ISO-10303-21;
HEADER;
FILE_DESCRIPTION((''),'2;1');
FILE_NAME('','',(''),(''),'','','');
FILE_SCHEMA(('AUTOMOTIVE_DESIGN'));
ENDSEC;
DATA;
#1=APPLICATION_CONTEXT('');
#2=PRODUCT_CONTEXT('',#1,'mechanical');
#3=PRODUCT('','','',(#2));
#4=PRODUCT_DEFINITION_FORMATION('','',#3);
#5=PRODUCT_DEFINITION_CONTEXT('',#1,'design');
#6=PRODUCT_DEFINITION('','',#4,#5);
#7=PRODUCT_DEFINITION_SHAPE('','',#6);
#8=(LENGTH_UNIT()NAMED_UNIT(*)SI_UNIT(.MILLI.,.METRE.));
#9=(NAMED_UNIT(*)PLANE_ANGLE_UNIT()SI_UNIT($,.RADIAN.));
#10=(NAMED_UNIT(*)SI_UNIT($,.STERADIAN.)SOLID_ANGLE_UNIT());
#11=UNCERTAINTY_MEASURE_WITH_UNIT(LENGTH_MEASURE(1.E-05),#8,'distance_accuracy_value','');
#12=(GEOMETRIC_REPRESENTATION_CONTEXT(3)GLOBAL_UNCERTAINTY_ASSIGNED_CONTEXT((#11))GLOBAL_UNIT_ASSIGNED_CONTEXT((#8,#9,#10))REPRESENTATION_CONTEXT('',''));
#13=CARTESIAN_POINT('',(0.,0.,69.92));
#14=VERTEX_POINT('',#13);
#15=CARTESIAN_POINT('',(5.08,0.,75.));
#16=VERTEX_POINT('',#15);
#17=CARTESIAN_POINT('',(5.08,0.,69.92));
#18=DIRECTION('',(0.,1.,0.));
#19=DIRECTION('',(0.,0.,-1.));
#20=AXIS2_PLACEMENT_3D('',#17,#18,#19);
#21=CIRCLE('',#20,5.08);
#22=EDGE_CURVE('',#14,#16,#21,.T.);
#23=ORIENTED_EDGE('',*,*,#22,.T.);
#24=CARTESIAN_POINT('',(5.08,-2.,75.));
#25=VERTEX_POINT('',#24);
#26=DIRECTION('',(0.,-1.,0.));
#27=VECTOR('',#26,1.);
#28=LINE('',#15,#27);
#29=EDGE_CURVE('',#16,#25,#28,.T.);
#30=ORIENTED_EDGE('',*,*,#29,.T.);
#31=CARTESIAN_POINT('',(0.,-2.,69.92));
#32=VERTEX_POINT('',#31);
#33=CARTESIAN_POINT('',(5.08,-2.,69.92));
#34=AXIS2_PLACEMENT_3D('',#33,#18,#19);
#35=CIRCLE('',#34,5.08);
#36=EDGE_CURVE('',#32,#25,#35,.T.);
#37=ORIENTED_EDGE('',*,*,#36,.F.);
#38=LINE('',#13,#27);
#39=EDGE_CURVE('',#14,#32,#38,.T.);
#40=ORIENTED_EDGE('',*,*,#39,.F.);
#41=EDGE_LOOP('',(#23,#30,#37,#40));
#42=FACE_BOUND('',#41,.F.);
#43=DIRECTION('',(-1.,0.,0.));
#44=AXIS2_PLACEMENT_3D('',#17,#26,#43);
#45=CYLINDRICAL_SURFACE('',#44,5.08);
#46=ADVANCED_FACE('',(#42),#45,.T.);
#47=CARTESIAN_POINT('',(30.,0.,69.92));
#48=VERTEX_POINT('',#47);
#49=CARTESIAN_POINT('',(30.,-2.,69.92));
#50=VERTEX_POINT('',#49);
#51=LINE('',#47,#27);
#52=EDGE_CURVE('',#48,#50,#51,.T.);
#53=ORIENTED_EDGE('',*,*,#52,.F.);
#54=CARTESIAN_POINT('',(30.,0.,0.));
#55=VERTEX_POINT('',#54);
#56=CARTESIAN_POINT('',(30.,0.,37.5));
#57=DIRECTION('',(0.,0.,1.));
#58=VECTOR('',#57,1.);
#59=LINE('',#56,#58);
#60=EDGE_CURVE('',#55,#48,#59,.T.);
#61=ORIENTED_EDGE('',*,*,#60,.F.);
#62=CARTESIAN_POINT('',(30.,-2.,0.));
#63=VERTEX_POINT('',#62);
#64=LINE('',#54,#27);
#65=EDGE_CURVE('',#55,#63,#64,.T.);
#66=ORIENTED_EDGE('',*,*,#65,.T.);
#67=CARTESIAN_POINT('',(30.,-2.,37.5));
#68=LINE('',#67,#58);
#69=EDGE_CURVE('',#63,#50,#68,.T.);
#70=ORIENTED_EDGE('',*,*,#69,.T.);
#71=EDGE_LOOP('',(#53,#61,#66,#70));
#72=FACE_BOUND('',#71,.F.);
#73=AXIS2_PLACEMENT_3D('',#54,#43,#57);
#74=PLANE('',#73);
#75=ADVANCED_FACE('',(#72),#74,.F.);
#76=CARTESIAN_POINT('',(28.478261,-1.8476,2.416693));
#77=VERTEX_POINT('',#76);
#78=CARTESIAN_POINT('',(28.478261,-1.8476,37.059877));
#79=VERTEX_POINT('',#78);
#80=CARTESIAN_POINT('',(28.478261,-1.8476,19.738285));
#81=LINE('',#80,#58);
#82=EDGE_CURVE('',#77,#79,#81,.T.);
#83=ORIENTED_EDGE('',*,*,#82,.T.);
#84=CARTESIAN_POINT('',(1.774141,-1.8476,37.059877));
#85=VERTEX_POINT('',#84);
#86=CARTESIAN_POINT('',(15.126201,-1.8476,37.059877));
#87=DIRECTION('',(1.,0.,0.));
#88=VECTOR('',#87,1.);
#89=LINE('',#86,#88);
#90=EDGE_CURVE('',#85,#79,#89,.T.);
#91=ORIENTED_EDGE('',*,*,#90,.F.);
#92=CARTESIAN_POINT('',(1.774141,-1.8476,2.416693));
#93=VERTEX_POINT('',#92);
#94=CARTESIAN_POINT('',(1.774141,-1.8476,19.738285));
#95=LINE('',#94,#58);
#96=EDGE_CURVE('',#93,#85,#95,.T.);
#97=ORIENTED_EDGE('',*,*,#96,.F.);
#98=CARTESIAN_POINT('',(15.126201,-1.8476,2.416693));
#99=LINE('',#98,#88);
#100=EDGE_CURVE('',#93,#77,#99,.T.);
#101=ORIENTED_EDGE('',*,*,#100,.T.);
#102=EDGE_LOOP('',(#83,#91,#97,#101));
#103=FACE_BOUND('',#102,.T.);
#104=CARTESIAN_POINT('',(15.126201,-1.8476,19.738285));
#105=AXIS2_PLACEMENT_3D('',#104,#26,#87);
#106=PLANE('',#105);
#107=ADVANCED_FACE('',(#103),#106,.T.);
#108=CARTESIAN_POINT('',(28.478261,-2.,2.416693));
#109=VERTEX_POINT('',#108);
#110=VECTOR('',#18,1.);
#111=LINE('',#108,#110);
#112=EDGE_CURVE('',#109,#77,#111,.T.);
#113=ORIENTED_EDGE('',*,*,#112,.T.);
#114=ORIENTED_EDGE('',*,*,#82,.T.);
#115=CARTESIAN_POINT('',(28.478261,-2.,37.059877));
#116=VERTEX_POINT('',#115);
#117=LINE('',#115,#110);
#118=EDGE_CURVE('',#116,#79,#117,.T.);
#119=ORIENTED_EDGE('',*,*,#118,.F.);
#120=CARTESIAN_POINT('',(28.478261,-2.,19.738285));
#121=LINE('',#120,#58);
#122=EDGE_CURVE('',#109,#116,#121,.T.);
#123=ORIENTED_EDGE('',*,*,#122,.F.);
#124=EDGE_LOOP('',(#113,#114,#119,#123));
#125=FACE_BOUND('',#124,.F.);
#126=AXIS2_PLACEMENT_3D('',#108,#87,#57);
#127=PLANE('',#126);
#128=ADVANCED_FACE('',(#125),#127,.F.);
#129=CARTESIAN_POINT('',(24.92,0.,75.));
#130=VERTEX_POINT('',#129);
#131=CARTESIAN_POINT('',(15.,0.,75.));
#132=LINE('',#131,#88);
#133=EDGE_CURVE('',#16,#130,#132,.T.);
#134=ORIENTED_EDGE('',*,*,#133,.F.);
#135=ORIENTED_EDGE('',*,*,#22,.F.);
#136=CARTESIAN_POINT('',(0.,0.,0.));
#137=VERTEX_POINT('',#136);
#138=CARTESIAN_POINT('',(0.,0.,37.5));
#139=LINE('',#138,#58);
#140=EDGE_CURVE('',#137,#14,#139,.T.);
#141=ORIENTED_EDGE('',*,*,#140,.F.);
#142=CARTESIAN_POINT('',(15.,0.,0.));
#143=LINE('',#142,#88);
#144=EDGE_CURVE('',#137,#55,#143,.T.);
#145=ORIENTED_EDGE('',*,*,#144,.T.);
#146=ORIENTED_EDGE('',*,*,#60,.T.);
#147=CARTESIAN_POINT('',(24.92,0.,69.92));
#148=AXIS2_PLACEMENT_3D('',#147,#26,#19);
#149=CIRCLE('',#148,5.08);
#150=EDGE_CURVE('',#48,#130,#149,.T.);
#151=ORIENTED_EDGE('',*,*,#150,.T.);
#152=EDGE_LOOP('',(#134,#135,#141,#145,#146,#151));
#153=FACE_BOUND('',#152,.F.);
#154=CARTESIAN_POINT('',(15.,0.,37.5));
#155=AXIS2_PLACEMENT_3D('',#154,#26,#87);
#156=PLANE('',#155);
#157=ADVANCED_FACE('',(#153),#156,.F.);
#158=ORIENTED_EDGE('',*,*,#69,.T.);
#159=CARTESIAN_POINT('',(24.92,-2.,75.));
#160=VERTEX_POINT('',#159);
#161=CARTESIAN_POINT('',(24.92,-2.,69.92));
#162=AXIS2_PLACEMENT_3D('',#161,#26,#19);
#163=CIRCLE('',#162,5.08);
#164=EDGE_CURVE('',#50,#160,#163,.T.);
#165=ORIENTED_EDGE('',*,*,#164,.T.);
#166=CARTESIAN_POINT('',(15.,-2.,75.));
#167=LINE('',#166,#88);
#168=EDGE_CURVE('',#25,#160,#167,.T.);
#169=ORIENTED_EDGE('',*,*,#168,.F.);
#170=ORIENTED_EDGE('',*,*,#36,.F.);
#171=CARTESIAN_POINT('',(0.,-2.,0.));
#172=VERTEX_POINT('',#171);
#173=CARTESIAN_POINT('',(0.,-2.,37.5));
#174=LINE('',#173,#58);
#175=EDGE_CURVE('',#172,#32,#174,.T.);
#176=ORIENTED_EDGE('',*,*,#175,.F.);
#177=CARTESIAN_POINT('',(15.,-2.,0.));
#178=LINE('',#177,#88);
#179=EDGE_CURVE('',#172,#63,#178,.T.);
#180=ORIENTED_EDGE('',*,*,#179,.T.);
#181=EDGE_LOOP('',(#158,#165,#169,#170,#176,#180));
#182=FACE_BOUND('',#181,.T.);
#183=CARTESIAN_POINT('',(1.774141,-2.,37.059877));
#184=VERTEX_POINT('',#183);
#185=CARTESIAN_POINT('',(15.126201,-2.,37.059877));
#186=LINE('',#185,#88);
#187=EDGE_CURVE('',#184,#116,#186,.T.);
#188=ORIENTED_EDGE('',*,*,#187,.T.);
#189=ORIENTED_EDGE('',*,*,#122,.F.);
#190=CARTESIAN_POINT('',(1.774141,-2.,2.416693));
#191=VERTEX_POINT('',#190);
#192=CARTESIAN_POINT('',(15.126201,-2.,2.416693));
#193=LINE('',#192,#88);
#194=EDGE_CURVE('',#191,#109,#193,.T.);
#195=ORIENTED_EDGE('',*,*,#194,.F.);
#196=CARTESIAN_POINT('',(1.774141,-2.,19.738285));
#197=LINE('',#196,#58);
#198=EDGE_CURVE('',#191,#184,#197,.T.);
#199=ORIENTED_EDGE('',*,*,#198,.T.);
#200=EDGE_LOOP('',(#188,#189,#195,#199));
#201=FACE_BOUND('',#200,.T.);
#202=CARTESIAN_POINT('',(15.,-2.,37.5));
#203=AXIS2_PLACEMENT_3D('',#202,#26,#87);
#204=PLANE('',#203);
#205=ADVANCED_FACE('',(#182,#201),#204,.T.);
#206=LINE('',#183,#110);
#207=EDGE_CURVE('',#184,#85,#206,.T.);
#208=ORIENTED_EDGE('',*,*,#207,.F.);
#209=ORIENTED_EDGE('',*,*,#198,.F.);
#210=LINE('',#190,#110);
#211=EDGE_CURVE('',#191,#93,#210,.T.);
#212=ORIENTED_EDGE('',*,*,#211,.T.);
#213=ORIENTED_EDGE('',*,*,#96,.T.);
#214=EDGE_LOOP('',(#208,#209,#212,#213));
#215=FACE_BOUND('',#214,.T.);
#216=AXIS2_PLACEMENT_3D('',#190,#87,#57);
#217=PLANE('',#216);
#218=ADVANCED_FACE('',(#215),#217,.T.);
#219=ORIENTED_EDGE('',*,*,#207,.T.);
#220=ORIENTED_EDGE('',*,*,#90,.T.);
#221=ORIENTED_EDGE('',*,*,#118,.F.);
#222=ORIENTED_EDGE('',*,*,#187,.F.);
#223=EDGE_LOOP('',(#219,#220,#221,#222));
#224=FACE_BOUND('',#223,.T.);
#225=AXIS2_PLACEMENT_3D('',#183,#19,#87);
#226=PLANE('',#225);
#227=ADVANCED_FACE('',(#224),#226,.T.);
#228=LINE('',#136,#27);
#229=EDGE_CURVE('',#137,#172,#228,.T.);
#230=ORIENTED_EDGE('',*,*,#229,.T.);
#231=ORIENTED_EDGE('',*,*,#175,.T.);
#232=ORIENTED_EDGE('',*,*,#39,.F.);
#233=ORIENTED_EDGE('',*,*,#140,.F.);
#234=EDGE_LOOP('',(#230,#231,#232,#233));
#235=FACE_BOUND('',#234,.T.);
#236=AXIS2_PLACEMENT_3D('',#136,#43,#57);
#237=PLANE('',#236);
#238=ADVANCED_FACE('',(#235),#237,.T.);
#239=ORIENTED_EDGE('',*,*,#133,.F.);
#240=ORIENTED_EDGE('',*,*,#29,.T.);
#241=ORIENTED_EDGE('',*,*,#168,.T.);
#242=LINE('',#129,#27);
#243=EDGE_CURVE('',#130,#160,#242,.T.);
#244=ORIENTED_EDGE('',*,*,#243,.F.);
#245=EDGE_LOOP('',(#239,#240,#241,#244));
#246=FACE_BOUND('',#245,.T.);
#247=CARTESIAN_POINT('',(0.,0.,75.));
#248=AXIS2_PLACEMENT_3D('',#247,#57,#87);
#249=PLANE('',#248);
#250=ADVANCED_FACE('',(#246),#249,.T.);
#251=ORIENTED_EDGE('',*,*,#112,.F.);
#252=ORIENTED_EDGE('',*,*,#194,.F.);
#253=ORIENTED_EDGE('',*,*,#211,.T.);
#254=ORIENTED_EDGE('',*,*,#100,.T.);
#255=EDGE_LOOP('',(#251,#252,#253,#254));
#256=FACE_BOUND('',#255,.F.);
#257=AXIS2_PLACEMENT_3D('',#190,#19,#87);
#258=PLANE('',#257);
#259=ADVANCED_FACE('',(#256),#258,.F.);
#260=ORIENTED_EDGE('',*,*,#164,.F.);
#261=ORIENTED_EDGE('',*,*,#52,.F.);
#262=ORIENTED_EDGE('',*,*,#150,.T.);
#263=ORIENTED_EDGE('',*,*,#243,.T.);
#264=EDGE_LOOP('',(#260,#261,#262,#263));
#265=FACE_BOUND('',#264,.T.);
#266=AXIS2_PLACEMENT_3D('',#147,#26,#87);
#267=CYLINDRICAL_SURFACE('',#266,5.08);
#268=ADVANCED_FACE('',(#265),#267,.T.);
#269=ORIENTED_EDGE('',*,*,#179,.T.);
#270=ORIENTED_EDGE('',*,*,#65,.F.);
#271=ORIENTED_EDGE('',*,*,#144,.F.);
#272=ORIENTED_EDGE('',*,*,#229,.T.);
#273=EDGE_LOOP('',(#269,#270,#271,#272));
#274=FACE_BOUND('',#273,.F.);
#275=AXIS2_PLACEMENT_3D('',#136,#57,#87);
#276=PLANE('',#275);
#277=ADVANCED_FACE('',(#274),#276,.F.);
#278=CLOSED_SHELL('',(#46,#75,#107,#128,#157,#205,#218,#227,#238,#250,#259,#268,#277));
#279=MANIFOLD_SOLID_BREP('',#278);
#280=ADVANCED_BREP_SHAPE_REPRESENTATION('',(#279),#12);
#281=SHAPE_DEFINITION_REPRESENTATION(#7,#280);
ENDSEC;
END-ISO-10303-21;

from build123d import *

# Parameters (mm, degrees)
F0_W     = 30
F0_H     = 75
F1_DEPTH = 2
F2_R     = 5.08
F3_W     = 26.70412
F3_H     = 34.643184
F4_DEPTH = 0.1524


with BuildPart() as f1:
    # F0 (on Front) → F1 (new body)
    with BuildSketch(Plane.XZ):
        with Locations((15, 37.5)):
            Rectangle(F0_W, F0_H)
    extrude(amount=F1_DEPTH)

    # F2
    f2_edges = [f1.edges().sort_by_distance(p)[0] for p in [
        (30, -1, 75),
        (0, -1, 75),
    ]]
    fillet(f2_edges, radius=F2_R)

    # F3 (on face) → F4 (cut)
    with BuildSketch(Plane.XZ.offset(2)):
        with Locations((15.126201, 19.738285)):
            Rectangle(F3_W, F3_H)
    extrude(amount=-F4_DEPTH, mode=Mode.SUBTRACT)


solid = f1.part
